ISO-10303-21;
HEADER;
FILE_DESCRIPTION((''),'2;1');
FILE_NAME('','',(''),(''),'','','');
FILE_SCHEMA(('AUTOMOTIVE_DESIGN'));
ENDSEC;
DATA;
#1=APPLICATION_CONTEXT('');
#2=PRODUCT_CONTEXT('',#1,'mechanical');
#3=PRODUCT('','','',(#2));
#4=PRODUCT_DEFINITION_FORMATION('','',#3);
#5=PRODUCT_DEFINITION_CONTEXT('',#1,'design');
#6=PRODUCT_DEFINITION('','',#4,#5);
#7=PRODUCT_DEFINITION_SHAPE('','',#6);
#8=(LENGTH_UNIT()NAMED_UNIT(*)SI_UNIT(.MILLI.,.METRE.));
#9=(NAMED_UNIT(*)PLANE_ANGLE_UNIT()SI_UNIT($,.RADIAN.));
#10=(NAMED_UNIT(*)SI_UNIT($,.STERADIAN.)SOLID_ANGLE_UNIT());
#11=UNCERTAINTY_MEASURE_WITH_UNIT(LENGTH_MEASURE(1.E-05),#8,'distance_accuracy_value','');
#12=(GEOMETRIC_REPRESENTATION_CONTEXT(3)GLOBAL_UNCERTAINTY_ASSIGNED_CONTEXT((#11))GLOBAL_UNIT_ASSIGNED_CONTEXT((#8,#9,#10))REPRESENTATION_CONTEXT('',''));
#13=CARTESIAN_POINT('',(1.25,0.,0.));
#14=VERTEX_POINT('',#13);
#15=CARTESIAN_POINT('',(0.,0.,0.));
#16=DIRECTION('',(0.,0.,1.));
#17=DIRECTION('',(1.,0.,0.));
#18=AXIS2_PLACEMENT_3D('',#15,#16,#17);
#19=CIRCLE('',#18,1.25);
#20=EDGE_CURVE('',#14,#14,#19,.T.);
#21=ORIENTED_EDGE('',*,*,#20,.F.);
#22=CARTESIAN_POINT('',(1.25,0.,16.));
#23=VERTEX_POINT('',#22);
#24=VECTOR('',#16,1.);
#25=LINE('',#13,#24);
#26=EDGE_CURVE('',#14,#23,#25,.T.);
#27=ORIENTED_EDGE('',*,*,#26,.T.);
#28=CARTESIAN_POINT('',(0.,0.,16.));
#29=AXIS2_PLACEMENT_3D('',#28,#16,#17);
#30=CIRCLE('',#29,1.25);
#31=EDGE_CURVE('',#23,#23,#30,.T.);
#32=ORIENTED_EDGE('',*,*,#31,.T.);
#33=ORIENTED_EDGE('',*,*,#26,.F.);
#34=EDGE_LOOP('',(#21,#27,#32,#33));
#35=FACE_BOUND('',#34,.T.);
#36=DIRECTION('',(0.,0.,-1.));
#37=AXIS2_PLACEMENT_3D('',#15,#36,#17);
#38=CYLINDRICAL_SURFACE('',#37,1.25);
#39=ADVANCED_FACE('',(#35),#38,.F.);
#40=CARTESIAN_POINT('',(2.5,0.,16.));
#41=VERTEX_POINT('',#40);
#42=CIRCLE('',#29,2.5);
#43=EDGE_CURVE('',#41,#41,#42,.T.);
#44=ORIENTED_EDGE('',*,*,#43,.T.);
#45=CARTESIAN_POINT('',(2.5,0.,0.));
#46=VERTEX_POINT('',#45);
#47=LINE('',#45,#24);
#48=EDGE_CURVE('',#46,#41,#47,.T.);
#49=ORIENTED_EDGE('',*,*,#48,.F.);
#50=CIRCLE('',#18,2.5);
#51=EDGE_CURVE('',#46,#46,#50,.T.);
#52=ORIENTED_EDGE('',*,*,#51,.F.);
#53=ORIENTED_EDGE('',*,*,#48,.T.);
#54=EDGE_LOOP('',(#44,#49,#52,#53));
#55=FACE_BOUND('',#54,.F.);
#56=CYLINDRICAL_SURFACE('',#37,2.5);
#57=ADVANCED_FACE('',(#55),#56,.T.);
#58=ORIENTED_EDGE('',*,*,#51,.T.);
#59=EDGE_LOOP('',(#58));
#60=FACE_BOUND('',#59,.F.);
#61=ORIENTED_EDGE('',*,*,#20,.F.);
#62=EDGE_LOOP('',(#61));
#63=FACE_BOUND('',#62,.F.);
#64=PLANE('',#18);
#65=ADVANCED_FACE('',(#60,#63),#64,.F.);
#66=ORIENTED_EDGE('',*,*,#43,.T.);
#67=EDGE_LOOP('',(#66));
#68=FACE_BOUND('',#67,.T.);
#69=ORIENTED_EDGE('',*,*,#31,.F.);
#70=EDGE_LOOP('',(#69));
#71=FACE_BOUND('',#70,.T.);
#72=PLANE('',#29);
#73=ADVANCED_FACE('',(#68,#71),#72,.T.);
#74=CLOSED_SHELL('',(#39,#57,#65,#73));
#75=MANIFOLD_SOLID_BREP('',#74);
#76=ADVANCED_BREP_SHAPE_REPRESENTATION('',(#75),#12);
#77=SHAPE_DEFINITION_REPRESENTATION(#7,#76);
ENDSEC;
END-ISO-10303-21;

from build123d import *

# Parameters (mm, degrees)
ESQUISSE1_R        = 2.5
ESQUISSE1_R_2      = 1.25
BOSS_EXTRU_1_DEPTH = 16


with BuildPart() as part:
    # Esquisse1 → Boss.-Extru.1 (new body)
    with BuildSketch(Plane.XY):
        Circle(ESQUISSE1_R)
        Circle(ESQUISSE1_R_2, mode=Mode.SUBTRACT)
    extrude(amount=BOSS_EXTRU_1_DEPTH)


solid = part.part
